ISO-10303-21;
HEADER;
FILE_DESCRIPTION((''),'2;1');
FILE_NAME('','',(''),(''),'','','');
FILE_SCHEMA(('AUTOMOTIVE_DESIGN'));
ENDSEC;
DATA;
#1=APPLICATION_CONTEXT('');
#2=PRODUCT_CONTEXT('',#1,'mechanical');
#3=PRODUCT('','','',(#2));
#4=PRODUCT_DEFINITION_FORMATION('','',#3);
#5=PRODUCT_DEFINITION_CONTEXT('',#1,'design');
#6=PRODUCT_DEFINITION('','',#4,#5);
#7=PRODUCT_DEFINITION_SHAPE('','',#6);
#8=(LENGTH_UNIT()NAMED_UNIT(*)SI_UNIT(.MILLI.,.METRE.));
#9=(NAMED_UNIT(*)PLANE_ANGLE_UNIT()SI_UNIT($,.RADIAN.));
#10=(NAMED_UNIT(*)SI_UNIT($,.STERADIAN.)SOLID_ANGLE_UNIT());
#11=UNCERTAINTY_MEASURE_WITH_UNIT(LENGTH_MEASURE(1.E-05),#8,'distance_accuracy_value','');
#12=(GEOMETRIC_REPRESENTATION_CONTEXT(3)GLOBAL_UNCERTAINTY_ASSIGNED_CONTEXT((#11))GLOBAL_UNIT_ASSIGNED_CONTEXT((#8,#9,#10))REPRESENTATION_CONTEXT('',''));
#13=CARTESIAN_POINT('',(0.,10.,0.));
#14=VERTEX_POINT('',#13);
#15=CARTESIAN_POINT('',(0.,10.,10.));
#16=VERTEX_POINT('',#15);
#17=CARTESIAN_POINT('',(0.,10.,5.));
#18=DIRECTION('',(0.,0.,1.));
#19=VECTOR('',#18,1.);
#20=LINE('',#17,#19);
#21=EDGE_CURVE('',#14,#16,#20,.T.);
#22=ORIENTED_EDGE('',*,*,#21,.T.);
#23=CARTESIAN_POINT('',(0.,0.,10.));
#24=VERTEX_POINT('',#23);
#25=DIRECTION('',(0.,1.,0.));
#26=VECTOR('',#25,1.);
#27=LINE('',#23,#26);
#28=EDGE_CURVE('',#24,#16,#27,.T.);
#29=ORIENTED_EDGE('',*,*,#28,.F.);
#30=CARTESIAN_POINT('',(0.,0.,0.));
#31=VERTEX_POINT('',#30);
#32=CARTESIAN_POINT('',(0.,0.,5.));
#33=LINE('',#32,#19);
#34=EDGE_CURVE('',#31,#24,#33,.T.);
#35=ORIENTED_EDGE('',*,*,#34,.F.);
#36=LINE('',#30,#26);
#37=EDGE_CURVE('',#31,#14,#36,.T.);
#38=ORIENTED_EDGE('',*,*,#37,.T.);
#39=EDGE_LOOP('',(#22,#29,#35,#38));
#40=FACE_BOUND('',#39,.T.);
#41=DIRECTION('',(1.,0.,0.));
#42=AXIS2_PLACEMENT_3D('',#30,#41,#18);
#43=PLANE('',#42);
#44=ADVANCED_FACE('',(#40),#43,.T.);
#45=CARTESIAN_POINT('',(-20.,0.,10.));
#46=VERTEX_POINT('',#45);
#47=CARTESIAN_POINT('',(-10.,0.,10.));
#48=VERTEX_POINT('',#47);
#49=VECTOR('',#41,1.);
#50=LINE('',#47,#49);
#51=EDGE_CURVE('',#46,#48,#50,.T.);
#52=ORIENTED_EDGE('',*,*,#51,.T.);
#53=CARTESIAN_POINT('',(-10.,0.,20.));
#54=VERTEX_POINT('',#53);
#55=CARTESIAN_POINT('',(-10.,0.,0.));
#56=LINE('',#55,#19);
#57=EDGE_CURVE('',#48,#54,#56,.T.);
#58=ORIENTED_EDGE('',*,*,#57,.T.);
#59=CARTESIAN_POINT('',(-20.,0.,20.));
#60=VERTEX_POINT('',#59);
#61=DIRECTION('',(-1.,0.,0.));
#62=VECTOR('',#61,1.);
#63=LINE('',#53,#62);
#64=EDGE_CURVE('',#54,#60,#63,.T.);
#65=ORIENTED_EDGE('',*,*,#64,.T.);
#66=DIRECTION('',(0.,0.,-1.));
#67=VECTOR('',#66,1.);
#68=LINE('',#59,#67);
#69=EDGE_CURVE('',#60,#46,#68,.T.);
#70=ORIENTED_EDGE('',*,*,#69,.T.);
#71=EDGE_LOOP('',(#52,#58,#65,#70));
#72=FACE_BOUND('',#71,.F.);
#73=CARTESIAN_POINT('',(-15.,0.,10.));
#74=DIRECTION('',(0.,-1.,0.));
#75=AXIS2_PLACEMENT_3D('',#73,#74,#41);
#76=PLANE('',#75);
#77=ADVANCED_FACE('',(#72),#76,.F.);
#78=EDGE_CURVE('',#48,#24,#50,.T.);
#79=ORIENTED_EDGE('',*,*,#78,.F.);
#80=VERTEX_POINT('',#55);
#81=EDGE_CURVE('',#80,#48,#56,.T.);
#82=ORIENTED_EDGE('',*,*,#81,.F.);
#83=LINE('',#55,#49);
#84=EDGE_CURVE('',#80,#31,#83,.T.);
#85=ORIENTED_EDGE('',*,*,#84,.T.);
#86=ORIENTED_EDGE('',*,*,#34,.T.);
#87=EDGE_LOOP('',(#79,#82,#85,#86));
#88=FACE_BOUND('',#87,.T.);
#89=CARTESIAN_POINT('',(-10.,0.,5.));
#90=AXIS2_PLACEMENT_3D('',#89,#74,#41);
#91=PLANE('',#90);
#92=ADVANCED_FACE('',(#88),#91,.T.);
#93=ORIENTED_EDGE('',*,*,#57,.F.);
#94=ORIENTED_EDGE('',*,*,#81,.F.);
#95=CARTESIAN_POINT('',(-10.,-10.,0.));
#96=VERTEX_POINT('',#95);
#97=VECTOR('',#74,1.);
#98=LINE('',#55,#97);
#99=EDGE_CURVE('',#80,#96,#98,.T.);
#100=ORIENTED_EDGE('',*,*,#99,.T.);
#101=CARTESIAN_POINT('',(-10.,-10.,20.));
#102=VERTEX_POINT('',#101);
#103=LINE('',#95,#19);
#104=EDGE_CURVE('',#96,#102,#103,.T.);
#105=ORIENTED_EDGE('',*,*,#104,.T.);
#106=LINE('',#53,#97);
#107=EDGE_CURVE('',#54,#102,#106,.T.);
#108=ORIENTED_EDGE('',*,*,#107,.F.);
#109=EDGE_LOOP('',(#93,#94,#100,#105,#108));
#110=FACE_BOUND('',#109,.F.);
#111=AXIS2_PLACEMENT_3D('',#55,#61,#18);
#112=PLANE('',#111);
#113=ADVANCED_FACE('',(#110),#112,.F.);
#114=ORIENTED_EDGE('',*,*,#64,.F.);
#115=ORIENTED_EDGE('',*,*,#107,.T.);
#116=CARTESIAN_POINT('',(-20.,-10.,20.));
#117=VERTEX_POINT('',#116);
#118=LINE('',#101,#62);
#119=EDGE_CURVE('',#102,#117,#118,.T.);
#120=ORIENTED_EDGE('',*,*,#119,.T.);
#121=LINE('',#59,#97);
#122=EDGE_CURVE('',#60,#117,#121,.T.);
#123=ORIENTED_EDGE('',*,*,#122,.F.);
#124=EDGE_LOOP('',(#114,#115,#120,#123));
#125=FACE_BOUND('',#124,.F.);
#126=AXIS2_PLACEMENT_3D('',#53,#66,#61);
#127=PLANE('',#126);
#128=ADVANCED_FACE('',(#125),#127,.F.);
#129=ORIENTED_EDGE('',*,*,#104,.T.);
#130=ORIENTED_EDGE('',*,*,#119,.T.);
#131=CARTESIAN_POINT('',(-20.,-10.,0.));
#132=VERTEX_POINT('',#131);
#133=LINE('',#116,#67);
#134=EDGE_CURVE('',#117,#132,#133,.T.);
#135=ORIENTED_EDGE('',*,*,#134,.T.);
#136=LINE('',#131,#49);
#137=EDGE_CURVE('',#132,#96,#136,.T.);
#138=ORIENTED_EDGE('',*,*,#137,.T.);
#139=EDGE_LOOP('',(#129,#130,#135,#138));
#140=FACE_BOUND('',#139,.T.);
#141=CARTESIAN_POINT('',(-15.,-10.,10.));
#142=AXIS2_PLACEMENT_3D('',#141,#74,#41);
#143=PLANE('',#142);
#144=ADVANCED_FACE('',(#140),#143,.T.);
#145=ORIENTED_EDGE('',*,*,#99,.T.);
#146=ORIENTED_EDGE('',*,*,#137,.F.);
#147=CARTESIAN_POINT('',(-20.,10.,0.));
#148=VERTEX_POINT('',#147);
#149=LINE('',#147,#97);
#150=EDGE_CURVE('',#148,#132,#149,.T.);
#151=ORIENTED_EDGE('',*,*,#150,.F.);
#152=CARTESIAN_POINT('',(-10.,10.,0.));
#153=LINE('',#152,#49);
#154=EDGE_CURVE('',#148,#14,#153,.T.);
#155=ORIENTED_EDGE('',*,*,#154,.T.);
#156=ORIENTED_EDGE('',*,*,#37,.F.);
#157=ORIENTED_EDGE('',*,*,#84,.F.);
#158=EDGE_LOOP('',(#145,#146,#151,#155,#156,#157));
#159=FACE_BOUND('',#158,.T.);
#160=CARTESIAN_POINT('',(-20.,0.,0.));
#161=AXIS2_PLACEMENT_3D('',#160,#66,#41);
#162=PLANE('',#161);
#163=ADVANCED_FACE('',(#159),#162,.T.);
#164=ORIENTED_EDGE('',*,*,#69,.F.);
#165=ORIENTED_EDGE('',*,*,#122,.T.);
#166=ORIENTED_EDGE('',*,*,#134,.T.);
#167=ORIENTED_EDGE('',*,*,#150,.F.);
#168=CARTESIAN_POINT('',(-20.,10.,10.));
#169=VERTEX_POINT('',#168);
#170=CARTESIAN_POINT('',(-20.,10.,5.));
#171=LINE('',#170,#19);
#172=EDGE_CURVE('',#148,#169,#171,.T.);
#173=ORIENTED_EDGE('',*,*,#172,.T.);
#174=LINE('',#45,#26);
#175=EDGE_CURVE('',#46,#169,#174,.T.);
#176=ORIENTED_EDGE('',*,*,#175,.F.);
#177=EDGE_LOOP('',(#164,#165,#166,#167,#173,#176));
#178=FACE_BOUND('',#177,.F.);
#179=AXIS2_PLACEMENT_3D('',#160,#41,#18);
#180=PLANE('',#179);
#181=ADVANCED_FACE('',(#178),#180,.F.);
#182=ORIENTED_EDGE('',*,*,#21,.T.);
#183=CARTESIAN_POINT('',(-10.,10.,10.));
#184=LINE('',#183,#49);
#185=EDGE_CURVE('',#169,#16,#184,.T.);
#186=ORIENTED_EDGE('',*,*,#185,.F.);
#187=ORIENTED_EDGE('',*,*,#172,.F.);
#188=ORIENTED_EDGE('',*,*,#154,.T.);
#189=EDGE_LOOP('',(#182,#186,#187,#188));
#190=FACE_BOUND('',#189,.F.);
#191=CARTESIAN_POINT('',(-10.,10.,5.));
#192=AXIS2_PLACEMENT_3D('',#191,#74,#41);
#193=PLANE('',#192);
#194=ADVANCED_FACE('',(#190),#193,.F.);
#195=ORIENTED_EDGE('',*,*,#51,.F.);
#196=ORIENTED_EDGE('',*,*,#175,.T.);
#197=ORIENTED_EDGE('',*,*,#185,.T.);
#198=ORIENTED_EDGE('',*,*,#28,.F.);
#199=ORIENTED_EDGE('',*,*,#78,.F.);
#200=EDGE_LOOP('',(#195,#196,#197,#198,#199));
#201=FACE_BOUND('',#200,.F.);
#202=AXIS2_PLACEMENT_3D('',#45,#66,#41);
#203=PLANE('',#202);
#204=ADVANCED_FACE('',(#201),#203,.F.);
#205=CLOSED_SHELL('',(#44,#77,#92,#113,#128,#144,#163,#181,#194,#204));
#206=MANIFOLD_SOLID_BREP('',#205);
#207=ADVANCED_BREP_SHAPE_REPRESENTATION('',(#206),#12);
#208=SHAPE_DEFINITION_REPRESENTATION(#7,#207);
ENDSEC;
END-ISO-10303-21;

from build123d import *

# Parameters (mm, degrees)
F1_DEPTH = 10
F2_W     = 20
F2_H     = 10
F3_DEPTH = 10


with BuildPart() as f1:
    # F0 (on Front) → F1 (new body)
    with BuildSketch(Plane.XZ):
        Polygon((-10, 20), (-20, 20), (-20, 0), (-10, 0), (-10, 10), align=None)
    extrude(amount=F1_DEPTH)

    # F2 (on Front) → F3 (join)
    with BuildSketch(Plane.XZ):
        with Locations((-10, 5)):
            Rectangle(F2_W, F2_H)
    extrude(amount=-F3_DEPTH)


solid = f1.part
